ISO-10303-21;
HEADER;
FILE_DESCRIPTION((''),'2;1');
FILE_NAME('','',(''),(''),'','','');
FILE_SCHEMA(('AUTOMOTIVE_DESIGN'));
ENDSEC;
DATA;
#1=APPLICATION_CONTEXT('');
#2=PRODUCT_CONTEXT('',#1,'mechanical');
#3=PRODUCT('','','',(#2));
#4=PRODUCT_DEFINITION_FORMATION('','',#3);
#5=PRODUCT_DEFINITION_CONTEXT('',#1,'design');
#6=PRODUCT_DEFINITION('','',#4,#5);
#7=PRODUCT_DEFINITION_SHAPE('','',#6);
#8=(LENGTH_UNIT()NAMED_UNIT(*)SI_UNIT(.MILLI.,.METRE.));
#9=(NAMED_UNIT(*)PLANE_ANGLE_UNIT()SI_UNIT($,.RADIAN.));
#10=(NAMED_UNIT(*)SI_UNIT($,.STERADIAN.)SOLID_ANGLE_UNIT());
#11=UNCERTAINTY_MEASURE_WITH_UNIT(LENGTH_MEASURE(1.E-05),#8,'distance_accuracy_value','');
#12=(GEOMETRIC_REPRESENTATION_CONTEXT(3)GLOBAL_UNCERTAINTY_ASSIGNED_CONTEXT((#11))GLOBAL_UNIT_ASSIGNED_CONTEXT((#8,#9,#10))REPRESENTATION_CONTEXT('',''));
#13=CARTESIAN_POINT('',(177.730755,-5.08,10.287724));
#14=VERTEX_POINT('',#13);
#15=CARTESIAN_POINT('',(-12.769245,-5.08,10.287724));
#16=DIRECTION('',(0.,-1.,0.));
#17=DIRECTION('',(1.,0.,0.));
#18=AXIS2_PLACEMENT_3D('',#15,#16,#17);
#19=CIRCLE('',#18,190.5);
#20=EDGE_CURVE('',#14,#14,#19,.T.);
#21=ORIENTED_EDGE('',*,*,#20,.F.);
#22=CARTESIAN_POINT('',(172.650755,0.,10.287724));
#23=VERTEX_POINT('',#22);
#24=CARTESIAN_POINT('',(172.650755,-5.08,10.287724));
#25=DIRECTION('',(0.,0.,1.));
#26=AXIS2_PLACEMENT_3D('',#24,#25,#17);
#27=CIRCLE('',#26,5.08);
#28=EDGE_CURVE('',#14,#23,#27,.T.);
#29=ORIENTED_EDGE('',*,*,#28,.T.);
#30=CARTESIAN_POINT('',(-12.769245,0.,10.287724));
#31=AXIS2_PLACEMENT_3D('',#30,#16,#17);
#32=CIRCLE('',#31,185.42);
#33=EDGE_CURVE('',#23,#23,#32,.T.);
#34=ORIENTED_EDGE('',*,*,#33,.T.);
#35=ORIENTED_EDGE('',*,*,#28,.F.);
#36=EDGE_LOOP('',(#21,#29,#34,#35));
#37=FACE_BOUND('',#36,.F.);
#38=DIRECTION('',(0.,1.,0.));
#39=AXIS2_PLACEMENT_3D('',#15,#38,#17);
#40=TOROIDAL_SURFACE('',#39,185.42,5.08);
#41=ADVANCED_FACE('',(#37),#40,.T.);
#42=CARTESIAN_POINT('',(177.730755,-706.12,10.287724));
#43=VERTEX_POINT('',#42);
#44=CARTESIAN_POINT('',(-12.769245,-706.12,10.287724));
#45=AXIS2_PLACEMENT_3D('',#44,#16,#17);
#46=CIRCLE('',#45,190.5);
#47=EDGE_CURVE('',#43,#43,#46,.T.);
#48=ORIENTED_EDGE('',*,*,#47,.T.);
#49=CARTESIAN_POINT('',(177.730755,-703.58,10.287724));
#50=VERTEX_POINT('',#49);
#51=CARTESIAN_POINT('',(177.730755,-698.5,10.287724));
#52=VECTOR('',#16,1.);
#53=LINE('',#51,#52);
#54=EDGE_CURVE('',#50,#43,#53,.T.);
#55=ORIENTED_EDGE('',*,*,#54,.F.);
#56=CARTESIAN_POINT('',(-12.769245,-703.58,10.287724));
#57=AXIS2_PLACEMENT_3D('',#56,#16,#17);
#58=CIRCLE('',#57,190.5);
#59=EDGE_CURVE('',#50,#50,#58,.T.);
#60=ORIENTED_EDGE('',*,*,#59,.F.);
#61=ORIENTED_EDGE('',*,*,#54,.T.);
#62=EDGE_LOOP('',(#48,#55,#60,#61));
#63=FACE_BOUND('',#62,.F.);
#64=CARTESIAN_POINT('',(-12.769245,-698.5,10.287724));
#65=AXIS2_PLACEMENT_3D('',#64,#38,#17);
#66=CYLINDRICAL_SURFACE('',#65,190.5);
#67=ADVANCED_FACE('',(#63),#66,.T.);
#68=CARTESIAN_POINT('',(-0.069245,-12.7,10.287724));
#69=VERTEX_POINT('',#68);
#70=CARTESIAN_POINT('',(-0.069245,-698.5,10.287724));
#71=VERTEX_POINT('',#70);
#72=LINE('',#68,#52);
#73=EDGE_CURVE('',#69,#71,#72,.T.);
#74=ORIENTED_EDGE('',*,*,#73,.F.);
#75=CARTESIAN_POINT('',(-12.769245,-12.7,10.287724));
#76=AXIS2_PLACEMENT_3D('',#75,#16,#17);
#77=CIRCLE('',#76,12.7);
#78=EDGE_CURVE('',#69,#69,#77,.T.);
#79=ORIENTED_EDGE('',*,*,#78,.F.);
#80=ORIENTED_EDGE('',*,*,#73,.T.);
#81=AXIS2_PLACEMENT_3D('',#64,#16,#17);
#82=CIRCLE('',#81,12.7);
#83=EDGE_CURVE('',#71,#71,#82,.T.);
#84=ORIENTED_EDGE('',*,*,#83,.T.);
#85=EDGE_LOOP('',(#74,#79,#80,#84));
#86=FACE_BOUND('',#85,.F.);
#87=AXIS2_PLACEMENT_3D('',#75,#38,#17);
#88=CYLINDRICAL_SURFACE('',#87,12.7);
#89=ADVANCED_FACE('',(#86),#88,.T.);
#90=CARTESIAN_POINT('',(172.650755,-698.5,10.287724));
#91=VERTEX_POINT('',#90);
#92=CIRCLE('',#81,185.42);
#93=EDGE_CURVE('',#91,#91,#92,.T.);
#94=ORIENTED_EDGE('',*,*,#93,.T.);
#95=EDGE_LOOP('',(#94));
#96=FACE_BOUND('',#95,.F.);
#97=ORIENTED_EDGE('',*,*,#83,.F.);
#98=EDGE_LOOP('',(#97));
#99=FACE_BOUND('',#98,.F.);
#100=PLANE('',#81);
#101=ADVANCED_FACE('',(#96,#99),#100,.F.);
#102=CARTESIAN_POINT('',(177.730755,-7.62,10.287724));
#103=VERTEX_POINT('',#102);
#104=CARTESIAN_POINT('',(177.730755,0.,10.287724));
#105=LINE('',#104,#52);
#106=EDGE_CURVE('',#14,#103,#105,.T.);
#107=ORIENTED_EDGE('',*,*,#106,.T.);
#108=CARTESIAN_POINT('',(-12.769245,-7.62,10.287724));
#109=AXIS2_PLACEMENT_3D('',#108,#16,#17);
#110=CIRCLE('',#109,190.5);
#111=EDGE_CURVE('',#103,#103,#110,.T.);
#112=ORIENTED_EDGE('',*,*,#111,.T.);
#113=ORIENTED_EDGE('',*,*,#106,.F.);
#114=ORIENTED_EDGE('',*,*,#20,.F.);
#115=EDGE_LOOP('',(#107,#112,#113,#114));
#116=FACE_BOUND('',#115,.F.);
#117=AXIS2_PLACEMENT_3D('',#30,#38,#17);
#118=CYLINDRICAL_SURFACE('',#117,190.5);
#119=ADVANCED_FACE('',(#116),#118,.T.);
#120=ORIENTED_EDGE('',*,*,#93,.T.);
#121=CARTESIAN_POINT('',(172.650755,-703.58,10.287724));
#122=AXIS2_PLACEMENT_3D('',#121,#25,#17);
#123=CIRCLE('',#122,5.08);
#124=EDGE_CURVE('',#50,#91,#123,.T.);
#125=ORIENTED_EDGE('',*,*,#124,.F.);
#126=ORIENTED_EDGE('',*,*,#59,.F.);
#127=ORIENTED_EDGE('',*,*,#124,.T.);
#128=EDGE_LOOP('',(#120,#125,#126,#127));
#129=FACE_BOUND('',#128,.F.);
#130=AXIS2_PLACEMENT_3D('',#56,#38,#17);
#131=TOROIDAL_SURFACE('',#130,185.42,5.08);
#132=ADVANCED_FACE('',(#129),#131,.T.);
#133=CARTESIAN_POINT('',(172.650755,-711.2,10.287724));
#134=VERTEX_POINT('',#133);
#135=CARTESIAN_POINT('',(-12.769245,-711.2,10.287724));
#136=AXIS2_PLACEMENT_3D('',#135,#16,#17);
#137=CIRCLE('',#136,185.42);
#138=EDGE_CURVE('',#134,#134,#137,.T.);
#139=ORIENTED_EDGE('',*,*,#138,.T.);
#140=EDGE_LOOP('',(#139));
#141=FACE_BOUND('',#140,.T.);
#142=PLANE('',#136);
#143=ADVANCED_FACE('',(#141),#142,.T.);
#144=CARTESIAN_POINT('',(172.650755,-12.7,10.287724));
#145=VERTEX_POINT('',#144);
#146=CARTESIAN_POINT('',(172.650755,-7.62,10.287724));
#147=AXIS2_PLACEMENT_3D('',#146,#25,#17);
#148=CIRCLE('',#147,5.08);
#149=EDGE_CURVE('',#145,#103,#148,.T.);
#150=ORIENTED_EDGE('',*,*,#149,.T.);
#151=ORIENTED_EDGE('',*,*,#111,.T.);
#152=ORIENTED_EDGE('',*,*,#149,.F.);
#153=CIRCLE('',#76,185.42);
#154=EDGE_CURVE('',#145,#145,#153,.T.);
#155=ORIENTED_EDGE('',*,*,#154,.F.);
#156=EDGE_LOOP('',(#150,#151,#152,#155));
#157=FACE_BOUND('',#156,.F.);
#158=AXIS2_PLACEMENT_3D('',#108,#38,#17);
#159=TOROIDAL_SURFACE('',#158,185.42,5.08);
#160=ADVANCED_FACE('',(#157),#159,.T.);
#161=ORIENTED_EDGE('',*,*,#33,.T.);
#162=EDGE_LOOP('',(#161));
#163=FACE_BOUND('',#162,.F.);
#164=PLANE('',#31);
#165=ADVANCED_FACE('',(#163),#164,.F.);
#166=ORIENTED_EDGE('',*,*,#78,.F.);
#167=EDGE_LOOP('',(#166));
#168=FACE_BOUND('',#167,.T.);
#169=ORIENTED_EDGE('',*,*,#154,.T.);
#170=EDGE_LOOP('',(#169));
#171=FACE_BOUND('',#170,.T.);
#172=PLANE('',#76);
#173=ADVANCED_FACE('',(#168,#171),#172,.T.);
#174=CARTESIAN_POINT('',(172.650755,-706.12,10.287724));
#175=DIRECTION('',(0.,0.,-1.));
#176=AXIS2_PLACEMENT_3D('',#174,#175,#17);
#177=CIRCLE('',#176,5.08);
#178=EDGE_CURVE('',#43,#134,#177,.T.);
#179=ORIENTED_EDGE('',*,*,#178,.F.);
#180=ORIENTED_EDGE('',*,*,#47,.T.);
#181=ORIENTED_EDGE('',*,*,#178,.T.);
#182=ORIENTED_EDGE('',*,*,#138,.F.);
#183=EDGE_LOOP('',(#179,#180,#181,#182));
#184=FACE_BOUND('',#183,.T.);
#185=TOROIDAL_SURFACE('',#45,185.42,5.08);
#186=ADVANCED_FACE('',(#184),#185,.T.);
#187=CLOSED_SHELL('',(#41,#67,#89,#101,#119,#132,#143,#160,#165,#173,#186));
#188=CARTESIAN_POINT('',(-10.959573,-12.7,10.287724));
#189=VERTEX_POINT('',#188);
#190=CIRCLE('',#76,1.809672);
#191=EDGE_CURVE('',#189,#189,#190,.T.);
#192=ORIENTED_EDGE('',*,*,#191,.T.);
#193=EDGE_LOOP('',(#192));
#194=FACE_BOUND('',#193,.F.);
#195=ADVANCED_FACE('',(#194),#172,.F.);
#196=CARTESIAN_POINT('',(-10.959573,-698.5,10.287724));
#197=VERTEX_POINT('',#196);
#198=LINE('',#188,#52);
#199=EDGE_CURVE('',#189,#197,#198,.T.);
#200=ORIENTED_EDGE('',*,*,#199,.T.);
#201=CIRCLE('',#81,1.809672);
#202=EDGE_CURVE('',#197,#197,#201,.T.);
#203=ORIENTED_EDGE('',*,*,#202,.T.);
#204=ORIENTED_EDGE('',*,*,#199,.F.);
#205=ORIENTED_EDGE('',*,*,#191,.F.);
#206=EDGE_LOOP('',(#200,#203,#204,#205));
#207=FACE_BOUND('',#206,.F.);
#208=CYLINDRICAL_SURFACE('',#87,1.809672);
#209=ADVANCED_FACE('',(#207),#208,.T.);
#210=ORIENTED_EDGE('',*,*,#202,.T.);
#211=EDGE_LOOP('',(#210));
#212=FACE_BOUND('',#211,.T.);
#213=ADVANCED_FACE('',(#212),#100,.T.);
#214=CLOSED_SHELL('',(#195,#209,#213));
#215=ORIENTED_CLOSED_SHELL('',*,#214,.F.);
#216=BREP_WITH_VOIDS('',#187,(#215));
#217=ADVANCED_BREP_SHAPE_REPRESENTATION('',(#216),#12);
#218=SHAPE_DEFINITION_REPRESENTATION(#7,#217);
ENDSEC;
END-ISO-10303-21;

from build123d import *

# Parameters (mm, degrees)
F0_R     = 190.5
F1_DEPTH = 12.7
F2_R     = 12.7
F2_R_2   = 1.8096717608
F3_DEPTH = 685.8
F4_R     = 190.5
F5_DEPTH = 12.7
F6_R     = 5.08


with BuildPart() as f1:
    # F0 (on Front) → F1 (new body)
    with BuildSketch(Plane.XZ):
        with Locations((-12.7692446113, 10.287723504)):
            Circle(F0_R)
    extrude(amount=F1_DEPTH)

    # F2 (on face) → F3 (join)
    with BuildSketch(Plane.XZ.offset(12.7)):
        with Locations((-12.7692446113, 10.287723504)):
            Circle(F2_R)
        with Locations((-12.7692446113, 10.287723504)):
            Circle(F2_R_2, mode=Mode.SUBTRACT)
    extrude(amount=F3_DEPTH)

    # F4 (on face) → F5 (join)
    with BuildSketch(Plane.XZ.offset(698.5)):
        with Locations((-12.7692446113, 10.287723504)):
            Circle(F4_R)
    extrude(amount=F5_DEPTH)

    # F6
    f6_edges = [f1.edges().sort_by_distance(p)[0] for p in [
        (-203.269245, -711.2, 10.287724),
        (-203.269245, -698.5, 10.287724),
        (-203.269245, -12.7, 10.287724),
        (-203.269245, 0, 10.287724),
    ]]
    fillet(f6_edges, radius=F6_R)


solid = f1.part
